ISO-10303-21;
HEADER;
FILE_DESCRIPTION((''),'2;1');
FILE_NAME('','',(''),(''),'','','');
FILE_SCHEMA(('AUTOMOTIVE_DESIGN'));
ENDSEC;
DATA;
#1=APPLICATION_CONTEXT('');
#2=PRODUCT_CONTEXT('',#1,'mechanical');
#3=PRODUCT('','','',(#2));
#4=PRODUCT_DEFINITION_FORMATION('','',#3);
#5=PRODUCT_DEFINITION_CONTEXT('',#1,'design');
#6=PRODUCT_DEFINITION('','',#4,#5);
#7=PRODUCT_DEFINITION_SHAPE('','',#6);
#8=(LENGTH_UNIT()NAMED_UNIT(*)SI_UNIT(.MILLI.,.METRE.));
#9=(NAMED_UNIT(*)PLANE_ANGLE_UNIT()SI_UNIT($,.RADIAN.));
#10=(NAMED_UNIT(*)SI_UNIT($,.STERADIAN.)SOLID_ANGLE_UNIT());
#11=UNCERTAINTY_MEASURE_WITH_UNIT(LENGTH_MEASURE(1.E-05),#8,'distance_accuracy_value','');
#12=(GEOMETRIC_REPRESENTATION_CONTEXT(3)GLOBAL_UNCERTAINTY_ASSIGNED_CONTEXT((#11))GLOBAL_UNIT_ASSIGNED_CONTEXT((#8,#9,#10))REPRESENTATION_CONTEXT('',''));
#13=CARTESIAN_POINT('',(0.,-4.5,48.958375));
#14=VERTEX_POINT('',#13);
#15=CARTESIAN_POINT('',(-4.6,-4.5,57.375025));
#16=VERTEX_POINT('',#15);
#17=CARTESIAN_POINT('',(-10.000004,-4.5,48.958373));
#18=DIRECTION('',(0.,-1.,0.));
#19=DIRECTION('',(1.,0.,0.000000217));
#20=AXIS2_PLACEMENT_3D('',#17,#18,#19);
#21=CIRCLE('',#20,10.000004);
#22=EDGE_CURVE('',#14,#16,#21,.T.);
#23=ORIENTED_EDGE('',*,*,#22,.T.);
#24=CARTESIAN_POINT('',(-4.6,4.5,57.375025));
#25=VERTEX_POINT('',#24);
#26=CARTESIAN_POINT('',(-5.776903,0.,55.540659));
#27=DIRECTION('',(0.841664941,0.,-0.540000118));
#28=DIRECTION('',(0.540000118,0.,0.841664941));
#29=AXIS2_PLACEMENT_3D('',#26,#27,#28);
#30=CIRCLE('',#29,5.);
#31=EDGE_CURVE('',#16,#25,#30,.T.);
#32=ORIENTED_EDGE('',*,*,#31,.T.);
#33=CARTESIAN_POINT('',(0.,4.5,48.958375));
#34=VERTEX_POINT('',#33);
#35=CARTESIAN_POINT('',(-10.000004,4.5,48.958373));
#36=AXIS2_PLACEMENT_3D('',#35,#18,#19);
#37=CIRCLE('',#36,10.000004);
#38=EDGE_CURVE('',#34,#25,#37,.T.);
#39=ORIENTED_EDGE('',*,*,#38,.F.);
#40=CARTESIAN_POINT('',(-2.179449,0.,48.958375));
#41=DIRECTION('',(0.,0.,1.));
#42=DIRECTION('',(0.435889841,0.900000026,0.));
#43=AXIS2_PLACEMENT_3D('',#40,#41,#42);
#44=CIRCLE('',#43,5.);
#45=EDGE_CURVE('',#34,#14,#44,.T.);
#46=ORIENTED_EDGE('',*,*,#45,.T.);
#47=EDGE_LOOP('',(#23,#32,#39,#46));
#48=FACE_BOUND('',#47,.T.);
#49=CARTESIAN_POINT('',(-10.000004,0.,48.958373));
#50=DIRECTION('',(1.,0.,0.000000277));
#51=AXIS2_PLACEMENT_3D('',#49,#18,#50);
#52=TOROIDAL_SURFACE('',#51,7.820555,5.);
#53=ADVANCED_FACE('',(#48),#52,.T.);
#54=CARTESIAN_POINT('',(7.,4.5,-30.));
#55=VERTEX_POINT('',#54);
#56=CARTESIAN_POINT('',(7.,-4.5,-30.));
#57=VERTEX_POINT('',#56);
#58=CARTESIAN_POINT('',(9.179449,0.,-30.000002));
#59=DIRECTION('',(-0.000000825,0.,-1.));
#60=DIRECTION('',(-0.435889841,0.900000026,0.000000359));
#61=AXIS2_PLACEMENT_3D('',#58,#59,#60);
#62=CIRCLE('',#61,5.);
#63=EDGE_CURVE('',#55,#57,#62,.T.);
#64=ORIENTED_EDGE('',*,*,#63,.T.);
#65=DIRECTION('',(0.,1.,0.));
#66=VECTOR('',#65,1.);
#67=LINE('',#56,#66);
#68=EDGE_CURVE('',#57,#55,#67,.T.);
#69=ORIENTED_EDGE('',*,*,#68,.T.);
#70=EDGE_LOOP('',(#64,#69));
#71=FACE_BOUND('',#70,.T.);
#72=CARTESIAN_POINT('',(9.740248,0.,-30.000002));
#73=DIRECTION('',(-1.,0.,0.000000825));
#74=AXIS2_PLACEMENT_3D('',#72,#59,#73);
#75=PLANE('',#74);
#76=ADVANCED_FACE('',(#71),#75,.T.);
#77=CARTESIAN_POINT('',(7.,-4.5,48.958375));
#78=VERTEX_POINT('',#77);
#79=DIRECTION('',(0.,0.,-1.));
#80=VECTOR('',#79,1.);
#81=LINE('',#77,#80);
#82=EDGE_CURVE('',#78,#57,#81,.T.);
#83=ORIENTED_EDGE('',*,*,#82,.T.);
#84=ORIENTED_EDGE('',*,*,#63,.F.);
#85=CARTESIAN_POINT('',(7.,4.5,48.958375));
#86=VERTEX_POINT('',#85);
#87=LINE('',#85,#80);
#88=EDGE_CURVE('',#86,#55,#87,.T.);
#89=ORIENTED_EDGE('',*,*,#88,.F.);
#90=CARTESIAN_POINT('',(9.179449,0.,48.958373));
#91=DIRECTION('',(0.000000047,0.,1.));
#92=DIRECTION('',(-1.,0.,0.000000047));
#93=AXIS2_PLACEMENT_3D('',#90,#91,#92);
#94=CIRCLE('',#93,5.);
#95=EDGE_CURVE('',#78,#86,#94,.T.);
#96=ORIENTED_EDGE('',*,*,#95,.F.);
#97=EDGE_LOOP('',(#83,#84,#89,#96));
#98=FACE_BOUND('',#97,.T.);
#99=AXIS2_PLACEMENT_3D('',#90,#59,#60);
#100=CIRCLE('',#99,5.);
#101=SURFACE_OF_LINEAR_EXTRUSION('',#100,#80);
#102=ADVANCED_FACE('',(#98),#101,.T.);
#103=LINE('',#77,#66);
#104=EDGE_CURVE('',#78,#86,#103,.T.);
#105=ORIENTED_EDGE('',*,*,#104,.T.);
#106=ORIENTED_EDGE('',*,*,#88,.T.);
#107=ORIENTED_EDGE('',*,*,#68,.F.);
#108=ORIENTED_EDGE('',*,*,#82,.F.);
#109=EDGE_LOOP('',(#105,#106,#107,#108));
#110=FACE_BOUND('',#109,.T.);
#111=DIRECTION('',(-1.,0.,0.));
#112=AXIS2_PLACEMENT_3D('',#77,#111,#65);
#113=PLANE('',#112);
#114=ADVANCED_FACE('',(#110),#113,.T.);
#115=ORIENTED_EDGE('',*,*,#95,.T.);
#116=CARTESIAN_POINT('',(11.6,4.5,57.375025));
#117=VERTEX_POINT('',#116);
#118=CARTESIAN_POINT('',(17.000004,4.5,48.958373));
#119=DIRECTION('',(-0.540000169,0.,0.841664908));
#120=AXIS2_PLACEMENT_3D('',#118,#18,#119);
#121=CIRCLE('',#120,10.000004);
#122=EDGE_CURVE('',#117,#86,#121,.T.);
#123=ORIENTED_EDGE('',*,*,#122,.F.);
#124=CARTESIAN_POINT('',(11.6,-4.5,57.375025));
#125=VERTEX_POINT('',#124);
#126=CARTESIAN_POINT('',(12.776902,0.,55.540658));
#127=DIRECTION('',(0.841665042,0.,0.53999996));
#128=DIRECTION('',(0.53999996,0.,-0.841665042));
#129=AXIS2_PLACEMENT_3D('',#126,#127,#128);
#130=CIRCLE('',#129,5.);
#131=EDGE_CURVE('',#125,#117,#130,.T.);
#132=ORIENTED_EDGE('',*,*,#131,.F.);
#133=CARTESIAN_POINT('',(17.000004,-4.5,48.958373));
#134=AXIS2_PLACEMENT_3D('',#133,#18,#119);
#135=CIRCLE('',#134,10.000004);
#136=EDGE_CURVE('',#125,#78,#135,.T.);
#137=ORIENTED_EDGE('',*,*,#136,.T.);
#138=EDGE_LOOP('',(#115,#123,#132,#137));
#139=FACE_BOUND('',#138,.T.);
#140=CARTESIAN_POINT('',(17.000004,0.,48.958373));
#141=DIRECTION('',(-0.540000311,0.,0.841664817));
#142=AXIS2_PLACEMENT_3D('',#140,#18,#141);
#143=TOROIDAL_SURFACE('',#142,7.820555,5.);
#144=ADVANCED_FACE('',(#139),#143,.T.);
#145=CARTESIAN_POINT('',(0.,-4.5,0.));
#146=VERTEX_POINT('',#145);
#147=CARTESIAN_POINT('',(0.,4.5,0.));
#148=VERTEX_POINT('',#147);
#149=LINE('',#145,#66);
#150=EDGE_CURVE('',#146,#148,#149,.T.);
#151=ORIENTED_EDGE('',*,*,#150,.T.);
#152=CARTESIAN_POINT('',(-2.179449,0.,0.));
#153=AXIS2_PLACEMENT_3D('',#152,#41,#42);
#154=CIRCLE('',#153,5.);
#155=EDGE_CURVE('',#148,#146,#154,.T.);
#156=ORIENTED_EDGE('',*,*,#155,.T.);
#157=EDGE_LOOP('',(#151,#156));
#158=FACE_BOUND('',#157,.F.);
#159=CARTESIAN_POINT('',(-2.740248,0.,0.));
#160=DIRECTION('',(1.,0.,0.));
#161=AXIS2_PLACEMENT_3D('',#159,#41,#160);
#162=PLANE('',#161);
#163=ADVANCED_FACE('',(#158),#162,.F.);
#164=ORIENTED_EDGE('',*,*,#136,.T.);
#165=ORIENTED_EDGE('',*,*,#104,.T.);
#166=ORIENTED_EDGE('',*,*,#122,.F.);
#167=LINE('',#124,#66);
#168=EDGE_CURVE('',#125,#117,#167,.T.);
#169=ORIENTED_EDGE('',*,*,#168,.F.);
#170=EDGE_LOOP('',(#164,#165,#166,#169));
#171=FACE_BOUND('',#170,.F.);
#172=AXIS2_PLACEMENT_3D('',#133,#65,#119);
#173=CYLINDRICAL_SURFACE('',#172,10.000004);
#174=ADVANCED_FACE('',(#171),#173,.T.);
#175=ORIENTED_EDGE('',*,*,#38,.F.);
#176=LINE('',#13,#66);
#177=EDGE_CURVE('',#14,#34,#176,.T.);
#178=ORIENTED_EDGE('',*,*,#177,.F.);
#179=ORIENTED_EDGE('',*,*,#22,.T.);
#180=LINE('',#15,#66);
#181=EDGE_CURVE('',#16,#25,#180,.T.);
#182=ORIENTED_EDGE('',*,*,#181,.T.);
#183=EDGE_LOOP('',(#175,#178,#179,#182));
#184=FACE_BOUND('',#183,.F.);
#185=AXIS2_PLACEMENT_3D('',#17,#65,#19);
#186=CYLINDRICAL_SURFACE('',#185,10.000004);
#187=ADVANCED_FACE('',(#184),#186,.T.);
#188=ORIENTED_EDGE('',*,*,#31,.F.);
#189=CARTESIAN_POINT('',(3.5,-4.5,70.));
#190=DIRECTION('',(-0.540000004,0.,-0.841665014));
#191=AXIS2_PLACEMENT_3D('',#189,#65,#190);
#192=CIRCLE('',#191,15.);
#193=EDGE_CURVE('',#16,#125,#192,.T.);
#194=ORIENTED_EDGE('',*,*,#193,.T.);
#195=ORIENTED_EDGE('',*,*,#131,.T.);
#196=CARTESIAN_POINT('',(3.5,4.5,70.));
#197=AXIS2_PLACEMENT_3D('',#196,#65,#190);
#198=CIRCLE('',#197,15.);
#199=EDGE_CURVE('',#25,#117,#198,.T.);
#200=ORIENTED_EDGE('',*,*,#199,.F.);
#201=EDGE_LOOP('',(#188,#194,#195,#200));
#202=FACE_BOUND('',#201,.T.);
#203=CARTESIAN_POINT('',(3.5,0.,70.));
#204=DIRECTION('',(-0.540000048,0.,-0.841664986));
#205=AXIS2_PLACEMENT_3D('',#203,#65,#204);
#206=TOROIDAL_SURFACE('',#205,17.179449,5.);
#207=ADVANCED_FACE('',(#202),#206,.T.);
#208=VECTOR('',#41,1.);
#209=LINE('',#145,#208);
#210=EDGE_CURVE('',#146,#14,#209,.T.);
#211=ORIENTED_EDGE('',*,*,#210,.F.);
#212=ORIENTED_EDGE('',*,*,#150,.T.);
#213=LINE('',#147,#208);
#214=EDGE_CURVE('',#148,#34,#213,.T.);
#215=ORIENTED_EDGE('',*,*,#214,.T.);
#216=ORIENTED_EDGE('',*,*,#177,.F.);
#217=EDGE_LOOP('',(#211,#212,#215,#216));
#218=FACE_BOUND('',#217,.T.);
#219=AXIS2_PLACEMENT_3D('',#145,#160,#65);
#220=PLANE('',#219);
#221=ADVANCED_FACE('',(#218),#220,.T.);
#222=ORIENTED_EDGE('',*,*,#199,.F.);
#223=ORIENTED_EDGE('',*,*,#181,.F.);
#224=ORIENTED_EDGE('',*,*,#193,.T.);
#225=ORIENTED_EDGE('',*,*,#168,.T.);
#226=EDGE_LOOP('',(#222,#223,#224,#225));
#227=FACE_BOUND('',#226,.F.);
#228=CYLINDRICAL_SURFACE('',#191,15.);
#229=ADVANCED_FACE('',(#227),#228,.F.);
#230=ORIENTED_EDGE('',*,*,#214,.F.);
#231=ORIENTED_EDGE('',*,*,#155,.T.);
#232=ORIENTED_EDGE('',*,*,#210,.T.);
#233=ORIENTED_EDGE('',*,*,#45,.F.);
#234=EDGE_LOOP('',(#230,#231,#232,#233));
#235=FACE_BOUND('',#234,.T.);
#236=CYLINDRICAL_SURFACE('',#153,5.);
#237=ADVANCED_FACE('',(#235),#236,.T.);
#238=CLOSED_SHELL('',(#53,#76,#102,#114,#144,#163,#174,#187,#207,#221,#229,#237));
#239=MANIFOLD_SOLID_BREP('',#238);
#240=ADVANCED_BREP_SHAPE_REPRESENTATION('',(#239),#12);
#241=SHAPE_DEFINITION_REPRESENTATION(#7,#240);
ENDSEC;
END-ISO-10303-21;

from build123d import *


with BuildPart() as f2:
    # F2: sweep along a path in F0
    with BuildLine(Plane.XZ) as f2_path:
        Line((0, 0), (0, 48.958375))
        ThreePointArc((0, 48.958375), (-1.225036, 53.754206), (-4.6, 57.375025))
        ThreePointArc((-4.6, 57.375025), (3.5, 85), (11.6, 57.375025))
        ThreePointArc((11.6, 57.375025), (8.225036, 53.754206), (7, 48.958375))
        Line((7, 48.958375), (7, -30))
    # F1 (on Top) → F2 (sweep)
    with BuildSketch(Plane.XY):
        with BuildLine():
            Line((0, -4.5), (0, 4.5))
            ThreePointArc((0, 4.5), (-7.179449, 0), (0, -4.5))
        make_face()
    sweep(path=f2_path.line)


solid = f2.part
